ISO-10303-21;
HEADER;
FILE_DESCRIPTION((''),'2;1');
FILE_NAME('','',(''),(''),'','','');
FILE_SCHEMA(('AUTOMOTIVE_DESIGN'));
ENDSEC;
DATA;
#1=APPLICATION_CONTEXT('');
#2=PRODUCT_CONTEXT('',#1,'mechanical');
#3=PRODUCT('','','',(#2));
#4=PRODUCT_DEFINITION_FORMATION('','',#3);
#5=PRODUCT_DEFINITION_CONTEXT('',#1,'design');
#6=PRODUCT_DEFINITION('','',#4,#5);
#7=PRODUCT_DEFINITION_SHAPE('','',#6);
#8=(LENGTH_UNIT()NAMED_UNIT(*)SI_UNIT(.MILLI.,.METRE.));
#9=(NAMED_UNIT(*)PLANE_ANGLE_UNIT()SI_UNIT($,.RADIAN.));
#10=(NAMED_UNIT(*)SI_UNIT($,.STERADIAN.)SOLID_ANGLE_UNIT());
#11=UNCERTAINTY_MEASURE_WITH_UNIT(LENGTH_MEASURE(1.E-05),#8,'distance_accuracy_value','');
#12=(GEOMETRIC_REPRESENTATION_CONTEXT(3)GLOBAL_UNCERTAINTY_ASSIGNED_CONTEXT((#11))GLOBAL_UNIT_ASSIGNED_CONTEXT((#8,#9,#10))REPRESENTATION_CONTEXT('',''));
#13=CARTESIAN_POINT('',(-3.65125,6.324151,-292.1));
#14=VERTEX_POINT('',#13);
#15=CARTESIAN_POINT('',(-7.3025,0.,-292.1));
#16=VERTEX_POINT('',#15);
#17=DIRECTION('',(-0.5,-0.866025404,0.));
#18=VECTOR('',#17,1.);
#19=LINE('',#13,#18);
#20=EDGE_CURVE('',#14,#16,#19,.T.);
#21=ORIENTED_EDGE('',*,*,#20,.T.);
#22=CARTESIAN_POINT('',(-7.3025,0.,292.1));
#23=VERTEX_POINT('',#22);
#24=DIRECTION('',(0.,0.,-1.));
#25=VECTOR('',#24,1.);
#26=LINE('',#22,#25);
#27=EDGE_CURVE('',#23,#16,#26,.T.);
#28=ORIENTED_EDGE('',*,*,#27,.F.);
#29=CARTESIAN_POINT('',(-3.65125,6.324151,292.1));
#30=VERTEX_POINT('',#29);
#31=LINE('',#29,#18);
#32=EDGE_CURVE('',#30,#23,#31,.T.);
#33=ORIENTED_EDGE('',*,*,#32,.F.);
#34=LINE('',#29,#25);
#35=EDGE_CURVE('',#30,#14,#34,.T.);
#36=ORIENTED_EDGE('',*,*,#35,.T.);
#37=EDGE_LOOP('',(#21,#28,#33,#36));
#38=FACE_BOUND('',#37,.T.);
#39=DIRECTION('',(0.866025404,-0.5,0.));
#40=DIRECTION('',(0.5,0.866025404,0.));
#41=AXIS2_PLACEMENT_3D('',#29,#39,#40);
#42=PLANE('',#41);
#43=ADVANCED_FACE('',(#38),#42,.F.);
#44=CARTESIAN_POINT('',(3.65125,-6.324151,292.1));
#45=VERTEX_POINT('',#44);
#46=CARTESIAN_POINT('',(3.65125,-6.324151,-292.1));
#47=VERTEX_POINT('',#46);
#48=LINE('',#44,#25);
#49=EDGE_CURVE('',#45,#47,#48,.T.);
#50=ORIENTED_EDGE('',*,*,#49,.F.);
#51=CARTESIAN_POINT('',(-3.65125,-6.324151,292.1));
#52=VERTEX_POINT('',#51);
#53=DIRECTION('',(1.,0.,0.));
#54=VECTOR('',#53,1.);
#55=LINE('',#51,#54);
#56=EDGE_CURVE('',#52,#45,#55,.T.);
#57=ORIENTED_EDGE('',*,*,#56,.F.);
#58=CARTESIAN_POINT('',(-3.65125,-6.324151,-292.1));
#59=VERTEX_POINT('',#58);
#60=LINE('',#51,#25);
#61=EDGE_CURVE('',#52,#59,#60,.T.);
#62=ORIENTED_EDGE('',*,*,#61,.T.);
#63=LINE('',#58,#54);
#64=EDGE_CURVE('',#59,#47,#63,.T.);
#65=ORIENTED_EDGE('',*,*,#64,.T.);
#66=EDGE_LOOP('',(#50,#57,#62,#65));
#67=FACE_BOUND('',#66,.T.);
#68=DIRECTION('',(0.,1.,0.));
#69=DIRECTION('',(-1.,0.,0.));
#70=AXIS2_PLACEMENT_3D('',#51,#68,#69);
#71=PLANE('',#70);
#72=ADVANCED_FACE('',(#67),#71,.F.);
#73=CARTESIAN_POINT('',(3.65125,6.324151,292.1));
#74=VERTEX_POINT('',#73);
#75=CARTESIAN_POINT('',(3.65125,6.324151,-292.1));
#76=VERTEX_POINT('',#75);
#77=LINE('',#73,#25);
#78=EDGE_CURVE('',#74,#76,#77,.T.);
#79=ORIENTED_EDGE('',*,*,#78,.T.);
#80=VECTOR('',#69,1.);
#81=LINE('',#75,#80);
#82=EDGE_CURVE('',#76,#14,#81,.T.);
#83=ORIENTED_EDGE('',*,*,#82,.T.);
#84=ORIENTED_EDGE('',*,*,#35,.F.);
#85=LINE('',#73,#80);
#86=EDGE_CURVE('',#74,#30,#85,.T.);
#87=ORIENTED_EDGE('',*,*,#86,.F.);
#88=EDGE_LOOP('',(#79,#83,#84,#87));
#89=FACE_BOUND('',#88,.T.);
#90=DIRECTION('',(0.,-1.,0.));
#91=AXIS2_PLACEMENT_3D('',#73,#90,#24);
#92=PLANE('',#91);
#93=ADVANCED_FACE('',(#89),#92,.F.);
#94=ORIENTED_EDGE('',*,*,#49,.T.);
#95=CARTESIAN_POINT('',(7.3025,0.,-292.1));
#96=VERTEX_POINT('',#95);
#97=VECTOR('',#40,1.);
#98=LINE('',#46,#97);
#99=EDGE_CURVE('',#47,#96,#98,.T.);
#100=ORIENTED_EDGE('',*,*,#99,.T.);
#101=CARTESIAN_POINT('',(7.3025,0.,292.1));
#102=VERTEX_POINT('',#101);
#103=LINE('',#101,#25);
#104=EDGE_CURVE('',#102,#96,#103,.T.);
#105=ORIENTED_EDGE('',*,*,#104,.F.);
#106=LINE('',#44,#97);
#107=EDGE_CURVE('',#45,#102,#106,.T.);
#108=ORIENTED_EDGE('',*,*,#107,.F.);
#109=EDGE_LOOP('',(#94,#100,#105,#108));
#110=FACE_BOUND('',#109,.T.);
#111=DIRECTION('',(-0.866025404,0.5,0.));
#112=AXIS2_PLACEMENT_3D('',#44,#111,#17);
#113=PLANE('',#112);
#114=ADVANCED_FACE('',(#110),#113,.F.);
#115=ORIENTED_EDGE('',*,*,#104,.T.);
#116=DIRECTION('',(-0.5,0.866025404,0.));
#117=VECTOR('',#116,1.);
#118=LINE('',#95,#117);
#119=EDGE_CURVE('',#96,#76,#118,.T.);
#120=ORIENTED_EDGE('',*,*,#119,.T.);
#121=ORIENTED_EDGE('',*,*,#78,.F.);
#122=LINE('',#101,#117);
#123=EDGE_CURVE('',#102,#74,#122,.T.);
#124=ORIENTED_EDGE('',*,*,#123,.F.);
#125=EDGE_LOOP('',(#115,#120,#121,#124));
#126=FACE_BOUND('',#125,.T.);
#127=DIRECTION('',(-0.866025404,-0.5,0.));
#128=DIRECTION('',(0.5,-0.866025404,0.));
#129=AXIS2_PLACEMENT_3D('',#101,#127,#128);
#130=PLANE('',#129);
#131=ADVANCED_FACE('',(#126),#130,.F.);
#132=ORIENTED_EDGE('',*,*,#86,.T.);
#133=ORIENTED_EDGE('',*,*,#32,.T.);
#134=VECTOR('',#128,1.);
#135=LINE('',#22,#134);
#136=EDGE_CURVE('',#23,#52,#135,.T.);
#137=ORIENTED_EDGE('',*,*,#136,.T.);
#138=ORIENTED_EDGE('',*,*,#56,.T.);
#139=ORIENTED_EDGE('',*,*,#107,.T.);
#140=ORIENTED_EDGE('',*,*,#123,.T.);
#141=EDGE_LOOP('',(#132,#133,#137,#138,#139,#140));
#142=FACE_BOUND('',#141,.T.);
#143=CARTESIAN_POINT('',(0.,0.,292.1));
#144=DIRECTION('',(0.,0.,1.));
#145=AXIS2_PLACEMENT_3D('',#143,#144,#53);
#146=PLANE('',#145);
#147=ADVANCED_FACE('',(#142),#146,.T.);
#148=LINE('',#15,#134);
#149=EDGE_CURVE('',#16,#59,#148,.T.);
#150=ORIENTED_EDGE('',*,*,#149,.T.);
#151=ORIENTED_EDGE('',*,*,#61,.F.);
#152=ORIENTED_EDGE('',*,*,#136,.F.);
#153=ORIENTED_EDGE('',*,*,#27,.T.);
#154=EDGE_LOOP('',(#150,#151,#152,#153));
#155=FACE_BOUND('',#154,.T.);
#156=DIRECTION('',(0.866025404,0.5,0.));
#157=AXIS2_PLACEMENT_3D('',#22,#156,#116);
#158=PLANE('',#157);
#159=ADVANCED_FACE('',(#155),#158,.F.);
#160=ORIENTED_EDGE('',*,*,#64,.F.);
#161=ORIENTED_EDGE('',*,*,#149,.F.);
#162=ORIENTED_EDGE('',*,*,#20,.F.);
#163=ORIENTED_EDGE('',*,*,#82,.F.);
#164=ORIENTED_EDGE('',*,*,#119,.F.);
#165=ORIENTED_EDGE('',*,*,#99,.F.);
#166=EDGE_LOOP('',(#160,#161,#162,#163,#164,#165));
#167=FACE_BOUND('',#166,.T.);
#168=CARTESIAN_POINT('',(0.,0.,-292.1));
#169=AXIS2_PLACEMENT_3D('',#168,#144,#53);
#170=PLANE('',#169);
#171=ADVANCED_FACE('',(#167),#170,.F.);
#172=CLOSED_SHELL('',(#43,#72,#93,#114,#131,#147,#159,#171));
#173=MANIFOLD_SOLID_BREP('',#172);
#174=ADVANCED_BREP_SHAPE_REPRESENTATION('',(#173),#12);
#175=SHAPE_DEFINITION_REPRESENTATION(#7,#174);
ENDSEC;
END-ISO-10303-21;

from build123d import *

# Parameters (mm, degrees)
BOSS_EXTRUDE1_DEPTH = 292.1


with BuildPart() as part:
    # Sketch 1 → Boss-Extrude1 (new, symmetric)
    with BuildSketch(Plane.XY):
        Polygon((7.3025, 0), (3.65125, 6.324150511), (-3.65125, 6.324150511), (-7.3025, 0), (-3.65125, -6.324150511), (3.65125, -6.324150511), align=None)
    extrude(amount=BOSS_EXTRUDE1_DEPTH, both=True)


solid = part.part
